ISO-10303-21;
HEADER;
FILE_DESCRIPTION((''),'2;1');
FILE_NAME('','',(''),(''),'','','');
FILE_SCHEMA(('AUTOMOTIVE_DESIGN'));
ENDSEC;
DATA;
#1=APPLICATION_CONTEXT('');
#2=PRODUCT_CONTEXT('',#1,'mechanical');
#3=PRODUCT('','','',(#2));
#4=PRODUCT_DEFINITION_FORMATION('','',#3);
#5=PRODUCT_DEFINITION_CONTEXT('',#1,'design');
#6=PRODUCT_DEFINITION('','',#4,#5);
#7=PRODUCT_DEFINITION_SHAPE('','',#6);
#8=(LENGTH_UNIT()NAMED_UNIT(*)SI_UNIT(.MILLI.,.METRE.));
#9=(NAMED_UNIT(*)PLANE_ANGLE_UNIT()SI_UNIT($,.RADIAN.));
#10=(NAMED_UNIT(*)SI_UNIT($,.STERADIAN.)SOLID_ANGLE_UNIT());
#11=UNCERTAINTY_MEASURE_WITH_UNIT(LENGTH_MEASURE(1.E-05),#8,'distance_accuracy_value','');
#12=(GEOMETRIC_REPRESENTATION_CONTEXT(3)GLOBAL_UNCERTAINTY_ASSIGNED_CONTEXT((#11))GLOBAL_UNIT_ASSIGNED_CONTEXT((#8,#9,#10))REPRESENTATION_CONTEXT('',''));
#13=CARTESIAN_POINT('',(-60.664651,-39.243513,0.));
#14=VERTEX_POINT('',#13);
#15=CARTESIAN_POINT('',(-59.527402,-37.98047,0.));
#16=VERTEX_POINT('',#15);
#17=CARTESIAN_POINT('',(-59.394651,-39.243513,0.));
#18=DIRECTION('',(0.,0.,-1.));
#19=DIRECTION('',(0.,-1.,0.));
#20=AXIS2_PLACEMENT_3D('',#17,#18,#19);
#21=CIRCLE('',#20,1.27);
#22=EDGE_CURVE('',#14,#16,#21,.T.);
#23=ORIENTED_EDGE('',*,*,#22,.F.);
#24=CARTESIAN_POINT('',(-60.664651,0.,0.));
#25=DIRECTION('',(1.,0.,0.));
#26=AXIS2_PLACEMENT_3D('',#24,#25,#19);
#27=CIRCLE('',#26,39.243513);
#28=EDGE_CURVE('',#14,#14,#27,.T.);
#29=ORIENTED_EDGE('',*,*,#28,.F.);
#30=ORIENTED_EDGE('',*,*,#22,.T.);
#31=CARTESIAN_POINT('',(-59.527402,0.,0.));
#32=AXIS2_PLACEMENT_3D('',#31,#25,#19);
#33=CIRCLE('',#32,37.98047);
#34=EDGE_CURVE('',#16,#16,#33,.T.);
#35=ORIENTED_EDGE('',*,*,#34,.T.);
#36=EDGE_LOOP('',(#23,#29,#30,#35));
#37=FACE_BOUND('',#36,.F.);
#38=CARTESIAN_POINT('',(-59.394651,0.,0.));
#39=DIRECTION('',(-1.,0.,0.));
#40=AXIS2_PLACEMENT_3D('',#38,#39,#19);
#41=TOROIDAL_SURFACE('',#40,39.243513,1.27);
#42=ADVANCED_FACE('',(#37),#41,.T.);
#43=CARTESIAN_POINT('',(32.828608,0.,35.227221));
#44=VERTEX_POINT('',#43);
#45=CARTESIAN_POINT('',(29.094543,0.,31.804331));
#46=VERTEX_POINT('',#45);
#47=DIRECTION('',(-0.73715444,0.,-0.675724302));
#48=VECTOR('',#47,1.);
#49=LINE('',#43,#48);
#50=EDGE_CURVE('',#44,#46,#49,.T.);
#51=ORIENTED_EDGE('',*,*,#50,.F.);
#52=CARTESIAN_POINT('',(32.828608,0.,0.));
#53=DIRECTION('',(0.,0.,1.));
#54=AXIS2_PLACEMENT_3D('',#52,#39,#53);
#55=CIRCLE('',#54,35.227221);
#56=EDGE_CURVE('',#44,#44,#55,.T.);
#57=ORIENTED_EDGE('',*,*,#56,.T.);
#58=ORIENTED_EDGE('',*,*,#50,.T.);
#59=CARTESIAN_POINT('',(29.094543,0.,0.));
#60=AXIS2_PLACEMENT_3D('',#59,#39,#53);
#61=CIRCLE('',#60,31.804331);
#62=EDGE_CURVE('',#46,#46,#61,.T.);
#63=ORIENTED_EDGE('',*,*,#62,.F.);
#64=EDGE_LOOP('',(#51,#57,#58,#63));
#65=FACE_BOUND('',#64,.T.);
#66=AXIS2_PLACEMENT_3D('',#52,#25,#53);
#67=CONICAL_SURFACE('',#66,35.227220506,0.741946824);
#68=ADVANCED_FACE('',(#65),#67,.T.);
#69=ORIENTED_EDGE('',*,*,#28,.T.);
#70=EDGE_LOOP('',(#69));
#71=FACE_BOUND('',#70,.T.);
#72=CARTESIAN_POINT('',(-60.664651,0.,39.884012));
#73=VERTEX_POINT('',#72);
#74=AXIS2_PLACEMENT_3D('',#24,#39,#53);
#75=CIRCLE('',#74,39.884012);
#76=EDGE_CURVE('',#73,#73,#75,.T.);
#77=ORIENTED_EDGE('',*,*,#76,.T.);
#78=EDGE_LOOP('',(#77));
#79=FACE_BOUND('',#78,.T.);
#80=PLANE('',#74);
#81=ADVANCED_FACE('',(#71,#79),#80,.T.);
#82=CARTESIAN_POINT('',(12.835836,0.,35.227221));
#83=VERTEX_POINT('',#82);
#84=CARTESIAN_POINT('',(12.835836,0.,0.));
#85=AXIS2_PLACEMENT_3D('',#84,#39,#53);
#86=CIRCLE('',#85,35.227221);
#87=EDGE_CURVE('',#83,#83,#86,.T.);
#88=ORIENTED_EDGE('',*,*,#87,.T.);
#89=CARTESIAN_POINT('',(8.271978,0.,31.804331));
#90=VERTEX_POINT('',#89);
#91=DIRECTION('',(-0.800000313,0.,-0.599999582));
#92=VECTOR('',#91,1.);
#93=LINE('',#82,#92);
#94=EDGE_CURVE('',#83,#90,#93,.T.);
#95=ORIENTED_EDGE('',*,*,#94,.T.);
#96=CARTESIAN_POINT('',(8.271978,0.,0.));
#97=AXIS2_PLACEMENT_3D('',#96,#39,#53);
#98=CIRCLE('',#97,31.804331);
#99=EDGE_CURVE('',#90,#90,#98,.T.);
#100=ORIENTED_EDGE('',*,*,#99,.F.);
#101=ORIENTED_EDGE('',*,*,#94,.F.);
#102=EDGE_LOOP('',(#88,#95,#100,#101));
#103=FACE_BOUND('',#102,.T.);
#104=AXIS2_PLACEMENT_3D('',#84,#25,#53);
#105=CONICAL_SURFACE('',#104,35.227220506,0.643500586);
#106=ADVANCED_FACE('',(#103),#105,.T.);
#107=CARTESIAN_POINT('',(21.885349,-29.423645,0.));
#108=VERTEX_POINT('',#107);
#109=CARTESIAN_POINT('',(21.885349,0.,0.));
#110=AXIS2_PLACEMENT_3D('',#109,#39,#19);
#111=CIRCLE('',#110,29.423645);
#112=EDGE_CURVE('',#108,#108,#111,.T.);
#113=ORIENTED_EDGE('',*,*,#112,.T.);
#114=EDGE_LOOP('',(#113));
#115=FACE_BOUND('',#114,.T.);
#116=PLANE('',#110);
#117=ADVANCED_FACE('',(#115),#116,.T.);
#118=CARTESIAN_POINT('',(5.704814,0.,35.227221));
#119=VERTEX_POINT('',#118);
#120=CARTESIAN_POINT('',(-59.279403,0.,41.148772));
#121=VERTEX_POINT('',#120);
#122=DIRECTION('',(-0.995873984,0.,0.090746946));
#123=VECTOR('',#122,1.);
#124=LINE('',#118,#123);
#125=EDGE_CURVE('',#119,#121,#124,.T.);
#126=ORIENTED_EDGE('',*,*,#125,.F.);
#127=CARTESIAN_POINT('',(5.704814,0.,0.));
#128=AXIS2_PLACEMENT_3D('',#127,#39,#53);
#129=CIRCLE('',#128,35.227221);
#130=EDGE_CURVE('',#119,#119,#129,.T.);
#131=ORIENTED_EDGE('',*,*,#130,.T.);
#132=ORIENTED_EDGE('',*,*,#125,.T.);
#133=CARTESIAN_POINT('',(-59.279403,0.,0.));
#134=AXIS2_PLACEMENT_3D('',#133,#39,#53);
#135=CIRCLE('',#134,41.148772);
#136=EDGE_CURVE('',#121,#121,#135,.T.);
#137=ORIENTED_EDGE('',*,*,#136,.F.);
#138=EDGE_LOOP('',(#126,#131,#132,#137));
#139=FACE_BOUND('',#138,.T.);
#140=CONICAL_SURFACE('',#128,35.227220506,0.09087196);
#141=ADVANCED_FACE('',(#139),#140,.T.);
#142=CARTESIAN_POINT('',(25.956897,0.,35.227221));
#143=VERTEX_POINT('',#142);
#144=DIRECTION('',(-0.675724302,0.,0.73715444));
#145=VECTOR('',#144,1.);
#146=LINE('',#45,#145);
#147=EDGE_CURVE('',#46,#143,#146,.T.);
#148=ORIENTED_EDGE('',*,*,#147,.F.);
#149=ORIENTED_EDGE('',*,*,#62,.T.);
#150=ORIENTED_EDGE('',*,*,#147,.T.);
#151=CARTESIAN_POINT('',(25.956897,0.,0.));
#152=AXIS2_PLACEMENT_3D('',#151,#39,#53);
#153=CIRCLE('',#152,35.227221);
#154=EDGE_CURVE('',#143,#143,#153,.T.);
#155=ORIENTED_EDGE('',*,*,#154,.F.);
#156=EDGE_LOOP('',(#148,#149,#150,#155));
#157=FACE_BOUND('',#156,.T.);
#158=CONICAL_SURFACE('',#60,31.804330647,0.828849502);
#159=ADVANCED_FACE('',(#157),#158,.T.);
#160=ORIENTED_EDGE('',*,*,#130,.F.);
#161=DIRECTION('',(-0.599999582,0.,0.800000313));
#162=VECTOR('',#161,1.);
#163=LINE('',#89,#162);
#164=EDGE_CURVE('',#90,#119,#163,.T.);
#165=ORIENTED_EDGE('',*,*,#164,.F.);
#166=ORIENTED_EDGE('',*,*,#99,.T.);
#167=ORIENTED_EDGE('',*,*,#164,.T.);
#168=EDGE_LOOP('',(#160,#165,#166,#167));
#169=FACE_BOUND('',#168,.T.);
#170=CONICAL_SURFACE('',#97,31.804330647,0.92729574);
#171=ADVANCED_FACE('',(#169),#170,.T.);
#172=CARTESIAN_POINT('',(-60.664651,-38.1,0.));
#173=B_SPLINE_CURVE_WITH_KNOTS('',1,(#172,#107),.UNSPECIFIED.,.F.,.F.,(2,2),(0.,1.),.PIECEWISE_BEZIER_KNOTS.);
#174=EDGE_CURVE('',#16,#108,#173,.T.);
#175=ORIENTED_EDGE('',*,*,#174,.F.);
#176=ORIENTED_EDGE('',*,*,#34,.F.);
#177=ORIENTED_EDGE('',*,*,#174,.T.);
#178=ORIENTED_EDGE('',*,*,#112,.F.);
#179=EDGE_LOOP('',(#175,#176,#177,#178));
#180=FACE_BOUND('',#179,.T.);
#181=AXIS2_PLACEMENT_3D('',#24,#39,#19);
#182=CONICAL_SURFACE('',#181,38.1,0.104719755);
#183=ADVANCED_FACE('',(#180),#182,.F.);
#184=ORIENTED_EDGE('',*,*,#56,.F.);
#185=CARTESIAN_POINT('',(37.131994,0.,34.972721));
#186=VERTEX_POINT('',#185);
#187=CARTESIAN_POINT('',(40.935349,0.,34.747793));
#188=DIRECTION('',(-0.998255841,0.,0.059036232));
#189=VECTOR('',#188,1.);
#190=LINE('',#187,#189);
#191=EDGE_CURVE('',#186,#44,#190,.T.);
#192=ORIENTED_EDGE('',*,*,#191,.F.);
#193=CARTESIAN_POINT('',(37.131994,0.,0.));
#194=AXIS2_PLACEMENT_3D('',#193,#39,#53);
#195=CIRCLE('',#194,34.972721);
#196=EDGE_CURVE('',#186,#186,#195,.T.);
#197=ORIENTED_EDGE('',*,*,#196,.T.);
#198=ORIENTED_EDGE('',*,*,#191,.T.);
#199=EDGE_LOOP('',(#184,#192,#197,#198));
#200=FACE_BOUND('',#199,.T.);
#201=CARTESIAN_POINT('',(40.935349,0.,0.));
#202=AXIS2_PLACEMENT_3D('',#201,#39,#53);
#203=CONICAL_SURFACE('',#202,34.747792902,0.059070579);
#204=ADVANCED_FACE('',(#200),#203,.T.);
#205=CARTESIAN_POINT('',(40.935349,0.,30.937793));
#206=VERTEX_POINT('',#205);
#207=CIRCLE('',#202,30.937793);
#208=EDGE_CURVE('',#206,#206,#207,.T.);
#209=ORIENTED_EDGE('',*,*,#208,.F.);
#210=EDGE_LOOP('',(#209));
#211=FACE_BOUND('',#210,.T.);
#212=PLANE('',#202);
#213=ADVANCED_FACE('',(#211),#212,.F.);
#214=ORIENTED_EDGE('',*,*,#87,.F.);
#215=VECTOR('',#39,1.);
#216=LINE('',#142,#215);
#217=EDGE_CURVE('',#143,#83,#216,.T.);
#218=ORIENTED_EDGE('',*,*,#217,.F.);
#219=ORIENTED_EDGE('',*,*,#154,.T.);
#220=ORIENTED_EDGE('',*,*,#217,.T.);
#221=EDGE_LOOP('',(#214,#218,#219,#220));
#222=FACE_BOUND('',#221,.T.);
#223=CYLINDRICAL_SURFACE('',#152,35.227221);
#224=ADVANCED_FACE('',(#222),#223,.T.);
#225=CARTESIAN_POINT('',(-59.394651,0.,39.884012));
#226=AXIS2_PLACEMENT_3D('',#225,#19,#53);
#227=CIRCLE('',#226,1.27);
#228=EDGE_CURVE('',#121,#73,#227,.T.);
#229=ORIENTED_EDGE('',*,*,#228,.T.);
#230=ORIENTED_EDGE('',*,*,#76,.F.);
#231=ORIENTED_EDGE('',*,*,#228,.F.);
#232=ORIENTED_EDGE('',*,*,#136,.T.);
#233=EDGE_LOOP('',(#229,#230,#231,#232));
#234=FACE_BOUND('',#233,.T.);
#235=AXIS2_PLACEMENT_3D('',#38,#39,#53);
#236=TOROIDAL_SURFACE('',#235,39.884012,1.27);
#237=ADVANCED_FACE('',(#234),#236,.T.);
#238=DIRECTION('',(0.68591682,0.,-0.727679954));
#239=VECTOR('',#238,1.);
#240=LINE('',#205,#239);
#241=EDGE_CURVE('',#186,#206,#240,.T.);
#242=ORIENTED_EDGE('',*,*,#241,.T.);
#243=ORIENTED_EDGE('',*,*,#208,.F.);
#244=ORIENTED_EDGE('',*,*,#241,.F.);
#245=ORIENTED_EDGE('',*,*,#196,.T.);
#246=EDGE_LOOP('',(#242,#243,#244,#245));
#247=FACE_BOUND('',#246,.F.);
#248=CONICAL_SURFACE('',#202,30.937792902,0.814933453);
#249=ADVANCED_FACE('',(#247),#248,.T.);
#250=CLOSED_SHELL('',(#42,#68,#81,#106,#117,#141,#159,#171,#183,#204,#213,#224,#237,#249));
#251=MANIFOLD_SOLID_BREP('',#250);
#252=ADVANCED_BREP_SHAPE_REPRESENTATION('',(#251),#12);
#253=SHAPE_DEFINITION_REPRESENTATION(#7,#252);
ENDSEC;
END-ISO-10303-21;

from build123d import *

# Parameters (mm, degrees)
F2_R     = 38.1
F3_DEPTH = 82.55
F3_TAPER = 6
F4_SIZE  = 3.81
F5_R     = 1.27
F6_R     = 1.27


with BuildPart() as f1:
    # F0 (on Front) → F1 (revolve)
    with BuildSketch(Plane.XZ):
        Polygon((-60.6646513261, 41.275), (-60.6646513261, 0), (40.9353486739, 0), (40.9353486739, 34.7477929017), (32.8286082969, 35.2272205055), (29.094543308, 31.804330647), (25.956897065, 35.2272205055), (12.8358363484, 35.2272205055), (8.2719782367, 31.804330647), (5.7048136368, 35.2272205055), align=None)
    revolve(axis=Axis((-9.8646513261, 0, 0), (-1, 0, 0)))

    # F2 (on face) → F3 (cut)
    with BuildSketch(Plane(origin=(-60.6646513261, 0, 0), x_dir=(0, -1, 0), z_dir=(-1, 0, 0))):
        Circle(F2_R)
    extrude(amount=-F3_DEPTH, taper=F3_TAPER, mode=Mode.SUBTRACT)

    # F4
    f4_edges = [f1.edges().sort_by_distance(p)[0] for p in [
        (40.935349, 0, -34.747793),
    ]]
    chamfer(f4_edges, length=F4_SIZE)

    # F5
    f5_edges = [f1.edges().sort_by_distance(p)[0] for p in [
        (-60.664651, 0, -41.275),
    ]]
    fillet(f5_edges, radius=F5_R)

    # F6
    f6_edges = [f1.edges().sort_by_distance(p)[0] for p in [
        (-60.664651, 0, -39.884012),
        (-60.664651, 38.1, 0),
    ]]
    fillet(f6_edges, radius=F6_R)


solid = f1.part
